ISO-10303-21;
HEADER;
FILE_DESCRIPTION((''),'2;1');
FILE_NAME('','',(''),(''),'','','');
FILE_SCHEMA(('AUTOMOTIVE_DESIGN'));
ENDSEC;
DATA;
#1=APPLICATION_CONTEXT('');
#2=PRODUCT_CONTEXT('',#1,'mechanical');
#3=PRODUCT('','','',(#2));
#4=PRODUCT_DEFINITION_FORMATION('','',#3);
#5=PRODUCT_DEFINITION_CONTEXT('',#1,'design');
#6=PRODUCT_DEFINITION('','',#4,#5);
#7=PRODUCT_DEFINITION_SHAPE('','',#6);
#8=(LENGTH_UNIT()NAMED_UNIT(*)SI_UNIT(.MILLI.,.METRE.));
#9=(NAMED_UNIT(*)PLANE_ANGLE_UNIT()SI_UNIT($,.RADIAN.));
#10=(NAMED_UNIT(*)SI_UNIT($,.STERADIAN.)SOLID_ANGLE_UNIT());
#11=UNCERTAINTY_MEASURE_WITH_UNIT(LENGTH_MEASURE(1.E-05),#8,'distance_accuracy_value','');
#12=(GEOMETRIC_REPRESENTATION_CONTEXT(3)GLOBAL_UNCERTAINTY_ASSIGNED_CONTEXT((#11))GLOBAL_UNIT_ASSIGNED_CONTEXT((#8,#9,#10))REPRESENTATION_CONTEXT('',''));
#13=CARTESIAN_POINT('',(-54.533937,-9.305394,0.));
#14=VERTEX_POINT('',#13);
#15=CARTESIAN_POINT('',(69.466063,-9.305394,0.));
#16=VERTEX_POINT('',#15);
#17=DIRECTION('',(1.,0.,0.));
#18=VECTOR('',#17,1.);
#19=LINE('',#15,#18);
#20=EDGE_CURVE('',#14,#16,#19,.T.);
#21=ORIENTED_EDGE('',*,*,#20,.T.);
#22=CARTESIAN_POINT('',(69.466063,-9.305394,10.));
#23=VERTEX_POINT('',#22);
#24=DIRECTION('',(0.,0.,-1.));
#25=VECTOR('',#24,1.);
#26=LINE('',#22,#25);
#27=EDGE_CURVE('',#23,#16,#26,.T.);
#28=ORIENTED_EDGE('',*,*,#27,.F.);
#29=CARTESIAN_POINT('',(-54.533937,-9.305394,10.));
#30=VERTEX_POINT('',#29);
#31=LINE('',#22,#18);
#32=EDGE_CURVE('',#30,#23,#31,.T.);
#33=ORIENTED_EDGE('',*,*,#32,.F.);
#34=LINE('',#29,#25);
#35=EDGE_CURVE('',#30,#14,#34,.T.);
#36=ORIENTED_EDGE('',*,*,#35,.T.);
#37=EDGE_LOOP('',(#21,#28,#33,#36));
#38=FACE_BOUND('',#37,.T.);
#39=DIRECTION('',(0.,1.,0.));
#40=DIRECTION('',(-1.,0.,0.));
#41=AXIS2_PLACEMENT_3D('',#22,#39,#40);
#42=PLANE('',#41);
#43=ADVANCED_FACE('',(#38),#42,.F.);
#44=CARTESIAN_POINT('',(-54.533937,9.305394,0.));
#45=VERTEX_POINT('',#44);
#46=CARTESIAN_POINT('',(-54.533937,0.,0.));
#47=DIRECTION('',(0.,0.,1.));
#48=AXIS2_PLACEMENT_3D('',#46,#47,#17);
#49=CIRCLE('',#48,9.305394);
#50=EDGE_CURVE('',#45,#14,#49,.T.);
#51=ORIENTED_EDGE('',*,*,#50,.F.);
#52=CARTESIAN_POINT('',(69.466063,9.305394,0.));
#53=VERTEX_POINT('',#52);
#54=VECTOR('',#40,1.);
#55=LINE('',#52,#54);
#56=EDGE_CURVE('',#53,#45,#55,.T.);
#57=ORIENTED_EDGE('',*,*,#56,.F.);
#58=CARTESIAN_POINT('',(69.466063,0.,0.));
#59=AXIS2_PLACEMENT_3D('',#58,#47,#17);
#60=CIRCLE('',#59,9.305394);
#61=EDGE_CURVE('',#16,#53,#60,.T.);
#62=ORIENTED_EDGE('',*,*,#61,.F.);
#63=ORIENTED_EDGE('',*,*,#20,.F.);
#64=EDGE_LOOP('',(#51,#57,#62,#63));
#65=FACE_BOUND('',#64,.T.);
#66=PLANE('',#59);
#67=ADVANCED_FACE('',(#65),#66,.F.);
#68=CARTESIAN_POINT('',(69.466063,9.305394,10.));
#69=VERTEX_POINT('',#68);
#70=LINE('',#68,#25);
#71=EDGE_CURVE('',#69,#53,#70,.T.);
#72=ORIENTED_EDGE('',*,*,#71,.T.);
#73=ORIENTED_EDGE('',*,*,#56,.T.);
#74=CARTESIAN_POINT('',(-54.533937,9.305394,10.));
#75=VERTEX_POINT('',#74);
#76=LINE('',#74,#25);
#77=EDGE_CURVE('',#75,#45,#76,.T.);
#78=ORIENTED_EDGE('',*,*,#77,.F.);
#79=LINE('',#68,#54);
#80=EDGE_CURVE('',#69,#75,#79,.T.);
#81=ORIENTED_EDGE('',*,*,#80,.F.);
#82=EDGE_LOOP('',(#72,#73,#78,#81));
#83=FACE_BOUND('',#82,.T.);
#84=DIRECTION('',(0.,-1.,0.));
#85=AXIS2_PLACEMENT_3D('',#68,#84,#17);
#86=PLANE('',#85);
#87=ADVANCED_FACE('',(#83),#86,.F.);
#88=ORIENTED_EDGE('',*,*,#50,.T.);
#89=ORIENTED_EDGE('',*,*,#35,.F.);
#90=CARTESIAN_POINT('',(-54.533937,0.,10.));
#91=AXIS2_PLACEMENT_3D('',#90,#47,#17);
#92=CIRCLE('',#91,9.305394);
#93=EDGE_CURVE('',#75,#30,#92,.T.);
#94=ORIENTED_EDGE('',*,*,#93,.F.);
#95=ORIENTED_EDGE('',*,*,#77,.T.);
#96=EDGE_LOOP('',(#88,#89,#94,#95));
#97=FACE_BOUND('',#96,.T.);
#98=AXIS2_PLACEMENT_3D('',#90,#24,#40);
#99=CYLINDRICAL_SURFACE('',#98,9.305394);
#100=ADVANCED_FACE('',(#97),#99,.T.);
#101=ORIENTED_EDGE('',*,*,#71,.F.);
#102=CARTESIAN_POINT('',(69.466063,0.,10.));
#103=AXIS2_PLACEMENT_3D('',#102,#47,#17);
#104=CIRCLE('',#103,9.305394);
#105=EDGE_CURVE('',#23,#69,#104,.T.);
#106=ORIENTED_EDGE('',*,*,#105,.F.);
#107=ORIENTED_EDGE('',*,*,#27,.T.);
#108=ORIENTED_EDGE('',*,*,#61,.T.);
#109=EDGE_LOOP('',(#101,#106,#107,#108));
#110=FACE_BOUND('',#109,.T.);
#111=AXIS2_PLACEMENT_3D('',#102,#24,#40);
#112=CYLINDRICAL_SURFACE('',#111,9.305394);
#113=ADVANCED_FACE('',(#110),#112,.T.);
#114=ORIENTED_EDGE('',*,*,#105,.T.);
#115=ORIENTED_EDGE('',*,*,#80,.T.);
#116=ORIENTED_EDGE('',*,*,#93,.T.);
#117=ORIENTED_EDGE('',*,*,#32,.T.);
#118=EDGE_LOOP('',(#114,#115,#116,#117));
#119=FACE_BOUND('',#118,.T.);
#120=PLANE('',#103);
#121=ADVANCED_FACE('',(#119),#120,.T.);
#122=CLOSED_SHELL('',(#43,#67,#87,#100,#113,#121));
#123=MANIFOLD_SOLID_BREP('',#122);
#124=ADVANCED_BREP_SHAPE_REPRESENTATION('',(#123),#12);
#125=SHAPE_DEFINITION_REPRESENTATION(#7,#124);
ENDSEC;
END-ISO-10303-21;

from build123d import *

# Parameters (mm, degrees)
BOSS_EXTRUDE1_DEPTH = 10


with BuildPart() as part:
    # Sketch1 → Boss-Extrude1 (new body)
    with BuildSketch(Plane.XY):
        with BuildLine():
            Line((69.466063161, -9.305393984), (-54.533936839, -9.305393984))
            ThreePointArc((-54.533936839, -9.305393984), (-63.839330824, 0), (-54.533936839, 9.305393984))
            Line((-54.533936839, 9.305393984), (69.466063161, 9.305393984))
            ThreePointArc((69.466063161, 9.305393984), (78.771457145, 0), (69.466063161, -9.305393984))
        make_face()
    extrude(amount=BOSS_EXTRUDE1_DEPTH)


solid = part.part
